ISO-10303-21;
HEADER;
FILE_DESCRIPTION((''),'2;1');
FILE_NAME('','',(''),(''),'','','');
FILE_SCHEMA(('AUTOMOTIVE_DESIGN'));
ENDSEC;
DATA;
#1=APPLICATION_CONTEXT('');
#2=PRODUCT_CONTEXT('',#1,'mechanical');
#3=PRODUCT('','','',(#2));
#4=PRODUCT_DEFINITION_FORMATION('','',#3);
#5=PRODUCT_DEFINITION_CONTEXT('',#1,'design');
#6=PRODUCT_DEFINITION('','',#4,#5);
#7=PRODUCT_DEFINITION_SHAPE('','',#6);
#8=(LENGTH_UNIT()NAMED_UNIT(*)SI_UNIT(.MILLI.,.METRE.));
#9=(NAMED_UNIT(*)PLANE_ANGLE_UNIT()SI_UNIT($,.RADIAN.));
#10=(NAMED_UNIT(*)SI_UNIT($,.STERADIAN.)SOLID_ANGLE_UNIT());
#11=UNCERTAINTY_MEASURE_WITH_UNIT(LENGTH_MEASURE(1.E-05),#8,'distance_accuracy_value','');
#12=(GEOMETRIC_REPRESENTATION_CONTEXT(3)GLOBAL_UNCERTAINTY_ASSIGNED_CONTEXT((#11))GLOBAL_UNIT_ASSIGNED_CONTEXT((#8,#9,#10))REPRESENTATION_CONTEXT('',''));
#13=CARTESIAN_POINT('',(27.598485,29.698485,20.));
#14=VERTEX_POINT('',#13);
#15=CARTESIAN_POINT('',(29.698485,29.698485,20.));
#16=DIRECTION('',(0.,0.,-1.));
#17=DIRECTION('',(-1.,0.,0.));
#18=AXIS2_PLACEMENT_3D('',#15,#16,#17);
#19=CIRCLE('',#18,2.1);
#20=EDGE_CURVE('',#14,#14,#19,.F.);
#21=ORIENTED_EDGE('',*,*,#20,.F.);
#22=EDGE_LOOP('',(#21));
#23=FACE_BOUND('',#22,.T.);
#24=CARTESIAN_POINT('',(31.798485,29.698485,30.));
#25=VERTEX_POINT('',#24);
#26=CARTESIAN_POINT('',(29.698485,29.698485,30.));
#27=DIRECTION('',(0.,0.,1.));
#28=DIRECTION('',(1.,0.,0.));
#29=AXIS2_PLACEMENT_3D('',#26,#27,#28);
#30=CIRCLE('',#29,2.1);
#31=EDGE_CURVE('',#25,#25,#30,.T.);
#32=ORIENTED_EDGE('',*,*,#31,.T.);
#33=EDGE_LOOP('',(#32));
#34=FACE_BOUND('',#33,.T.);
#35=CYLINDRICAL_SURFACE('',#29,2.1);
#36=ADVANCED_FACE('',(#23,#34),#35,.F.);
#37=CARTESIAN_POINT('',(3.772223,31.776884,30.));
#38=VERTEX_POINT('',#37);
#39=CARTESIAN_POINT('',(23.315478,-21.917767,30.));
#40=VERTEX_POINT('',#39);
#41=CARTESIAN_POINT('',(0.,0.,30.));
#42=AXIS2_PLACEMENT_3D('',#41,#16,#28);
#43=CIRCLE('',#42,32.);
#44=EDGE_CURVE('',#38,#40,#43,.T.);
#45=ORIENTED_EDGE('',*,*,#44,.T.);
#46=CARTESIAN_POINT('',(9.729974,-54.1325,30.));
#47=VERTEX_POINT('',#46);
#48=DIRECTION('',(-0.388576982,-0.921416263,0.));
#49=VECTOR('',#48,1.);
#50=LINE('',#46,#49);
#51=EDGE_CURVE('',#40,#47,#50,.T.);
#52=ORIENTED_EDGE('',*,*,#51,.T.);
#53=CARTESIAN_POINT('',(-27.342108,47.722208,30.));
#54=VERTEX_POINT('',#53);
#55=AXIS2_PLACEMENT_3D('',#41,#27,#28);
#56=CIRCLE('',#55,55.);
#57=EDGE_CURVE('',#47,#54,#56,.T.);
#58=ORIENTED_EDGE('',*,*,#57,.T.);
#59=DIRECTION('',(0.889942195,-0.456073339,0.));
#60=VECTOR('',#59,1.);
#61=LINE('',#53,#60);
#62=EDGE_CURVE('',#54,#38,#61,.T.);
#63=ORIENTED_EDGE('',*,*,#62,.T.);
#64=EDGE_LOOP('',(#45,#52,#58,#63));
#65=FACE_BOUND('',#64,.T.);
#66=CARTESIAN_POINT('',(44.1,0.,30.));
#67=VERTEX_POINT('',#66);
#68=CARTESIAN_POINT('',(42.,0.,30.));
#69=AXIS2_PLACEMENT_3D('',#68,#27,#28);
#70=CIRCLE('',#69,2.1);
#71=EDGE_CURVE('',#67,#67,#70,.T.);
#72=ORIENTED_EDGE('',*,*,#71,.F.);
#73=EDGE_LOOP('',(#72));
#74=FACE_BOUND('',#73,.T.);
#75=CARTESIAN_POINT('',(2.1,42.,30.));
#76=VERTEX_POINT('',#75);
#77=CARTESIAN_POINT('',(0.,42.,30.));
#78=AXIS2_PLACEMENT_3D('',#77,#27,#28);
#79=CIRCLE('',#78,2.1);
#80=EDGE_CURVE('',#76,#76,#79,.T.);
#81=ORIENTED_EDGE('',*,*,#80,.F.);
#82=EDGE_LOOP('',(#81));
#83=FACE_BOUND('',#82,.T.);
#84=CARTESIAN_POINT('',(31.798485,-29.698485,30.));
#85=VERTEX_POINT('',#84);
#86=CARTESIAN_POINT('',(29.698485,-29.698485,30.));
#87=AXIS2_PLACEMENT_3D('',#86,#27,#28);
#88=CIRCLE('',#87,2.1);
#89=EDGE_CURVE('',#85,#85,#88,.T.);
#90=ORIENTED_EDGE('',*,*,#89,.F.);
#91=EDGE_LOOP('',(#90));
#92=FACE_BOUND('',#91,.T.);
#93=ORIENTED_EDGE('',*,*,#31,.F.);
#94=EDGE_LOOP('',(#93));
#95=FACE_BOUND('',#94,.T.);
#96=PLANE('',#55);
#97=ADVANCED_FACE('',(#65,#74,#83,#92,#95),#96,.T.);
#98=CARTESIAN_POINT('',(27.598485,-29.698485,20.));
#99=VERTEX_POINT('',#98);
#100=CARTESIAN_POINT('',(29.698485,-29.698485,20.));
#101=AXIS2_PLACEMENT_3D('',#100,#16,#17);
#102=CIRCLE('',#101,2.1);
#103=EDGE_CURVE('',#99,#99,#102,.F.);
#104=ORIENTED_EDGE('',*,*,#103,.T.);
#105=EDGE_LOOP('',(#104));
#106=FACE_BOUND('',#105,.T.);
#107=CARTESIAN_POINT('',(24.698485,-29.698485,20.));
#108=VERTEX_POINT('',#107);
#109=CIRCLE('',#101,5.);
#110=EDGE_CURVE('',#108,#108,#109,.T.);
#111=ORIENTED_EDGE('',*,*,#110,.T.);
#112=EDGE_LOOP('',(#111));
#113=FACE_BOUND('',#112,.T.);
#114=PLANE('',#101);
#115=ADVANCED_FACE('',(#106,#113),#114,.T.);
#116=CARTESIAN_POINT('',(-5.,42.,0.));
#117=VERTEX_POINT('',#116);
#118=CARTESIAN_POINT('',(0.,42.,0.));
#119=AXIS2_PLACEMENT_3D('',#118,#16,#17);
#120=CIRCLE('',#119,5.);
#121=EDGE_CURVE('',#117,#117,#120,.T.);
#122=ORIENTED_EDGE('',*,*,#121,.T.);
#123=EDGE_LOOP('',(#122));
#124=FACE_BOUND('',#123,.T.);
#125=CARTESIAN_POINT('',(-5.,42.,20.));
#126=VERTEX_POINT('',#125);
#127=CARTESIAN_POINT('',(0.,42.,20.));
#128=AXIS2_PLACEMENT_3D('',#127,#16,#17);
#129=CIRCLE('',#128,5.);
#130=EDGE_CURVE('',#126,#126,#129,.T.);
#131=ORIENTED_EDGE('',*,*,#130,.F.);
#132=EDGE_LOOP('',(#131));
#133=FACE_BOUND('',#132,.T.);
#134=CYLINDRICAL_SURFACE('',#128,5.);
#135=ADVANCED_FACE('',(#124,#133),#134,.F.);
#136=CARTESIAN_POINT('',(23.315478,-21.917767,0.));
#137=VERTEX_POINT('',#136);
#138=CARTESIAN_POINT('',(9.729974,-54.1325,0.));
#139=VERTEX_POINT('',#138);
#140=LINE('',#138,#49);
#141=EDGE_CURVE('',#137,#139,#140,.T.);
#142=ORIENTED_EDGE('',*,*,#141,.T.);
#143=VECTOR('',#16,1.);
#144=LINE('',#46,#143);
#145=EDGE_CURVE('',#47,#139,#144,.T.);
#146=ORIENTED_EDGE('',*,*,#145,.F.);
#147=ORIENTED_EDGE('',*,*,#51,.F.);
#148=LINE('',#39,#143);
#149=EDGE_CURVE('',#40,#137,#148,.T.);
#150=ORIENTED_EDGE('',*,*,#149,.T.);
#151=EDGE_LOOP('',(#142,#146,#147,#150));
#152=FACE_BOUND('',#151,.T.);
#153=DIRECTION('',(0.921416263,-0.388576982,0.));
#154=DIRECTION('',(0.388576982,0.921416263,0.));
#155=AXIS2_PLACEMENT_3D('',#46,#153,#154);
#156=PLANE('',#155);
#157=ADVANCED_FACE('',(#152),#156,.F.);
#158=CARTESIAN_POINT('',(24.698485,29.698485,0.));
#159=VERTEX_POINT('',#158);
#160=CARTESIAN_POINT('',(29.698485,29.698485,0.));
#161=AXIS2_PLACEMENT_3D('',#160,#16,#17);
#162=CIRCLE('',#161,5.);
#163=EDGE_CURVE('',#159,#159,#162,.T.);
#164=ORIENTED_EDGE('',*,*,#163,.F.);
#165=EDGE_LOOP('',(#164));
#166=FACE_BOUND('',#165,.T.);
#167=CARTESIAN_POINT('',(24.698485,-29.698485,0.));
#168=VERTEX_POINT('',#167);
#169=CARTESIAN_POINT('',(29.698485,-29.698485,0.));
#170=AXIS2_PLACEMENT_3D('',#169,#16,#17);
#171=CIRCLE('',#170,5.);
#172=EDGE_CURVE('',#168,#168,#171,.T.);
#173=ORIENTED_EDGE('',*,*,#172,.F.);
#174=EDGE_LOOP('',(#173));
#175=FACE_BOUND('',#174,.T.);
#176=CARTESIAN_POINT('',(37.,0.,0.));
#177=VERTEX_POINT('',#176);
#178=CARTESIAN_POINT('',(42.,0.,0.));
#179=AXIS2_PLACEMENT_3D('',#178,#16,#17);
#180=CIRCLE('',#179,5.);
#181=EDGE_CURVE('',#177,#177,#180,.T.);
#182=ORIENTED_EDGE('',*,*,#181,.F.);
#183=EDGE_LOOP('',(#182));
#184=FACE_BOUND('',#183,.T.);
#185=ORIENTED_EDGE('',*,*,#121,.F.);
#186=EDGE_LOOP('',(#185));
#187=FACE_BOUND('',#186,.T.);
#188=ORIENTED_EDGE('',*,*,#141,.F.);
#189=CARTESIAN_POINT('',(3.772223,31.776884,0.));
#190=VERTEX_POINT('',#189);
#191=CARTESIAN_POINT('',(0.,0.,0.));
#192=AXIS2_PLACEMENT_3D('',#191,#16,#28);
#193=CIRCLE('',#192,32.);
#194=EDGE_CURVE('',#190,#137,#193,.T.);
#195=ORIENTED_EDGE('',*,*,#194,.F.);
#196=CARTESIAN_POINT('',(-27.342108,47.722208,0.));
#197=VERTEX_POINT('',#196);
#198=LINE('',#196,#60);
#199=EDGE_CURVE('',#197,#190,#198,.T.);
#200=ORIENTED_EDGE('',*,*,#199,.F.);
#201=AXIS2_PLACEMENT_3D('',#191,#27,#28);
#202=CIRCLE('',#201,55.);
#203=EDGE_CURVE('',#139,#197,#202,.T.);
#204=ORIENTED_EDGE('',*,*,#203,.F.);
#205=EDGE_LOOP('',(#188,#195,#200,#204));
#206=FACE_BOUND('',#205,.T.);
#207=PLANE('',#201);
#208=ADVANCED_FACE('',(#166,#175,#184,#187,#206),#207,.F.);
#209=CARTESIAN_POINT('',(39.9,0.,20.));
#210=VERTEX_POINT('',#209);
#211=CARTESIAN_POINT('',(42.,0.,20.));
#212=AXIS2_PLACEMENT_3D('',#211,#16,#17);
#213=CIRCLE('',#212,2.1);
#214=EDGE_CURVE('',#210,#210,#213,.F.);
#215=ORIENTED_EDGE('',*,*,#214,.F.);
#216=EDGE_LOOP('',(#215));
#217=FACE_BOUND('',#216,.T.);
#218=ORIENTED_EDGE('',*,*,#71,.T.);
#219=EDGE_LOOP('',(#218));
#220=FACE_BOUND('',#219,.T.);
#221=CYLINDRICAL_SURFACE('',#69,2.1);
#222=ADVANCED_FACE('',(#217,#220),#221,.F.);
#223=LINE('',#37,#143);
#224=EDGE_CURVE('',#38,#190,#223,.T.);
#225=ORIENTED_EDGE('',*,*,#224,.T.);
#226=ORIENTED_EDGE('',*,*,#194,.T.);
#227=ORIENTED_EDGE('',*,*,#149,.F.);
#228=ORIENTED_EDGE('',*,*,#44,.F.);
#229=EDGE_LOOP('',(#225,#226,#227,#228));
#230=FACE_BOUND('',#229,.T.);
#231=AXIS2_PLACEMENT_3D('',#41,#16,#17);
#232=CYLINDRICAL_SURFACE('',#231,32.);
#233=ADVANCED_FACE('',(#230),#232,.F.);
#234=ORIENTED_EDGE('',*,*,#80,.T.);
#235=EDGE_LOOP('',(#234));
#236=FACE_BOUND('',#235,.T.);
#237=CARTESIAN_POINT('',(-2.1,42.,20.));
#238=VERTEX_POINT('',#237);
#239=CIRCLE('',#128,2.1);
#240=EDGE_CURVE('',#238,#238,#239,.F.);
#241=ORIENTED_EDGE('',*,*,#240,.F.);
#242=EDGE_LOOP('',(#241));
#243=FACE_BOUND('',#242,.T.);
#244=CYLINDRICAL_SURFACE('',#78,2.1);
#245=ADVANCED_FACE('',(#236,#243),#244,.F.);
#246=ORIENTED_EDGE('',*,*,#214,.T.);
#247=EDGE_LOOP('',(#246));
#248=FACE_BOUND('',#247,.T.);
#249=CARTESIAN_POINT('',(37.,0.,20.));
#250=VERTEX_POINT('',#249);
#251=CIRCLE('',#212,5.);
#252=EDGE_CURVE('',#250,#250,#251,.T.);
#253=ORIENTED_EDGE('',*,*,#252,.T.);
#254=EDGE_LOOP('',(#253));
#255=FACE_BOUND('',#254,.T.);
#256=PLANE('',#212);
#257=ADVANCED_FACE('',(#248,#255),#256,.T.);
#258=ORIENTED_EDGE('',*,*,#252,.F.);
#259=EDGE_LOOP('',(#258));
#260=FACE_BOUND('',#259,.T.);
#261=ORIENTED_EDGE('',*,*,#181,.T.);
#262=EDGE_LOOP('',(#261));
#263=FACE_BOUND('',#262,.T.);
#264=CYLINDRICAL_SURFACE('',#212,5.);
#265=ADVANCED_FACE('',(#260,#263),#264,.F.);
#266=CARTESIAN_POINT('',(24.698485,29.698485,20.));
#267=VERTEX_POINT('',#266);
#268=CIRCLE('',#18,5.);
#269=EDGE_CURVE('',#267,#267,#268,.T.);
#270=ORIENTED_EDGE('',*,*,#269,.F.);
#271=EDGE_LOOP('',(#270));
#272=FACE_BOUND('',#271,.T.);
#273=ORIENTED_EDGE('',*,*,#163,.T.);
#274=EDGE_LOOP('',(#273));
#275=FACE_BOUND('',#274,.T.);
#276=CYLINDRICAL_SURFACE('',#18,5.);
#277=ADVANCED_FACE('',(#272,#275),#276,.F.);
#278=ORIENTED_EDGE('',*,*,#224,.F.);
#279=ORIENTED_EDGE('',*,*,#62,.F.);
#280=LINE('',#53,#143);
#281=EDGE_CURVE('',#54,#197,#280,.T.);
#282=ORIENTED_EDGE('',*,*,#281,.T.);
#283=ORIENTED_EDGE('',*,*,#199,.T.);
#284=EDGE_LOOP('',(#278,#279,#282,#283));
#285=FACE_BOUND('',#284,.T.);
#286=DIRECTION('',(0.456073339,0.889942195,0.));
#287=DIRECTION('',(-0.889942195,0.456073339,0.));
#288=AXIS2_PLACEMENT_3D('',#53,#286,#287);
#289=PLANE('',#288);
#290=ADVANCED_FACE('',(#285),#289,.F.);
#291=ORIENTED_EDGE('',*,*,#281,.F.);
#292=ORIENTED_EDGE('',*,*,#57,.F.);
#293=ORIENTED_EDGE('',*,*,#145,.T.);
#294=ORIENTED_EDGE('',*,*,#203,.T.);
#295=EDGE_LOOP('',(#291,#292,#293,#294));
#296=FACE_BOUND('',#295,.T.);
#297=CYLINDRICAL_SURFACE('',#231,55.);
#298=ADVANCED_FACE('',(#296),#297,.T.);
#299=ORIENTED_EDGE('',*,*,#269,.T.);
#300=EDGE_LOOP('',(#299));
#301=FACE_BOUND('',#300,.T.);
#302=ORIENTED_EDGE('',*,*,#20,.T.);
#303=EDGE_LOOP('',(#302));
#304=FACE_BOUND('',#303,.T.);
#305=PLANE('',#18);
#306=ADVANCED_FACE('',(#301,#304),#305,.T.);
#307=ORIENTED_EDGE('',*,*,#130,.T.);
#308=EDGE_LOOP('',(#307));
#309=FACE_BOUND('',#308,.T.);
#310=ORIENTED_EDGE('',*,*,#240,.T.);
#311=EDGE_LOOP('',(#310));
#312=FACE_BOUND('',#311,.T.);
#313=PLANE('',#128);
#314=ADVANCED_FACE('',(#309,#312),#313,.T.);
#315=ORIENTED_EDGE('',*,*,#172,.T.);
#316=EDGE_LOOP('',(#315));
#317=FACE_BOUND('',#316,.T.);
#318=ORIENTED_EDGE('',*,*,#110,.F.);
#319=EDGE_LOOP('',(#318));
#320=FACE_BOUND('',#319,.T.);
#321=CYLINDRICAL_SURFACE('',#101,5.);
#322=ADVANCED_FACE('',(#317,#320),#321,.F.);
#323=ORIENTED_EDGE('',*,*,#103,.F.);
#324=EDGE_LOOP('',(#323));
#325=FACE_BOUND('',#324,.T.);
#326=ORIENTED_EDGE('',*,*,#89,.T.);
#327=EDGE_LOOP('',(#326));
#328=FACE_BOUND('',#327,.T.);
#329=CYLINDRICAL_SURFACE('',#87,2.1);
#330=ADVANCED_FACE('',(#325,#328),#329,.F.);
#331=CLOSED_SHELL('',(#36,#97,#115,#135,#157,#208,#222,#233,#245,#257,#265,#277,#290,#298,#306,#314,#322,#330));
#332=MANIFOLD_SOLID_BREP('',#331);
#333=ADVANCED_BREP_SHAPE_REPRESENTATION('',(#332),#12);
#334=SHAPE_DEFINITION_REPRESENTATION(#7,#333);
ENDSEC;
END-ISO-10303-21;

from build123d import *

# Parameters (mm, degrees)
EXTRUDE_1_DEPTH         = 30
HOLE_WIZARD_4_2_4_2_1_D = 4.2
SKETCH_7_R              = 5
CUT_EXTRUDE_1_DEPTH     = 20


with BuildPart() as part:
    # 草图1 → 凸台-拉伸1 (new body)
    with BuildSketch(Plane.XY):
        with BuildLine():
            Line((-27.342107977, 47.722207948), (3.772223289, 31.776883602))
            ThreePointArc((3.772223289, 31.776883602), (30.070163865, 10.944644586), (23.315477742, -21.917766712))
            Line((23.315477742, -21.917766712), (9.729974097, -54.132500442))
            ThreePointArc((9.729974097, -54.132500442), (51.683094143, 18.811107883), (-27.342107977, 47.722207948))
        make_face()
    extrude(amount=EXTRUDE_1_DEPTH)

    # Ø4.2 (4.2) 直径孔1 (through all)
    with Locations(Plane(origin=(0, 42, 30), x_dir=(1, 0, 0), z_dir=(0, 0, 1))):
        with Locations((0, 0), (29.69848481, -12.30151519), (42, -42), (29.69848481, -71.69848481)):
            Hole(HOLE_WIZARD_4_2_4_2_1_D / 2)

    # 草图7 → 切除-拉伸1 (cut)
    with BuildSketch(Plane(origin=(0, 0, 0), x_dir=(-1, 0, 0), z_dir=(0, 0, -1))):
        with Locations((0, 42)):
            Circle(SKETCH_7_R)
        with Locations((-29.69848481, 29.69848481)):
            Circle(SKETCH_7_R)
        with Locations((-42, 0)):
            Circle(SKETCH_7_R)
        with Locations((-29.69848481, -29.69848481)):
            Circle(SKETCH_7_R)
    extrude(amount=-CUT_EXTRUDE_1_DEPTH, mode=Mode.SUBTRACT)


solid = part.part
